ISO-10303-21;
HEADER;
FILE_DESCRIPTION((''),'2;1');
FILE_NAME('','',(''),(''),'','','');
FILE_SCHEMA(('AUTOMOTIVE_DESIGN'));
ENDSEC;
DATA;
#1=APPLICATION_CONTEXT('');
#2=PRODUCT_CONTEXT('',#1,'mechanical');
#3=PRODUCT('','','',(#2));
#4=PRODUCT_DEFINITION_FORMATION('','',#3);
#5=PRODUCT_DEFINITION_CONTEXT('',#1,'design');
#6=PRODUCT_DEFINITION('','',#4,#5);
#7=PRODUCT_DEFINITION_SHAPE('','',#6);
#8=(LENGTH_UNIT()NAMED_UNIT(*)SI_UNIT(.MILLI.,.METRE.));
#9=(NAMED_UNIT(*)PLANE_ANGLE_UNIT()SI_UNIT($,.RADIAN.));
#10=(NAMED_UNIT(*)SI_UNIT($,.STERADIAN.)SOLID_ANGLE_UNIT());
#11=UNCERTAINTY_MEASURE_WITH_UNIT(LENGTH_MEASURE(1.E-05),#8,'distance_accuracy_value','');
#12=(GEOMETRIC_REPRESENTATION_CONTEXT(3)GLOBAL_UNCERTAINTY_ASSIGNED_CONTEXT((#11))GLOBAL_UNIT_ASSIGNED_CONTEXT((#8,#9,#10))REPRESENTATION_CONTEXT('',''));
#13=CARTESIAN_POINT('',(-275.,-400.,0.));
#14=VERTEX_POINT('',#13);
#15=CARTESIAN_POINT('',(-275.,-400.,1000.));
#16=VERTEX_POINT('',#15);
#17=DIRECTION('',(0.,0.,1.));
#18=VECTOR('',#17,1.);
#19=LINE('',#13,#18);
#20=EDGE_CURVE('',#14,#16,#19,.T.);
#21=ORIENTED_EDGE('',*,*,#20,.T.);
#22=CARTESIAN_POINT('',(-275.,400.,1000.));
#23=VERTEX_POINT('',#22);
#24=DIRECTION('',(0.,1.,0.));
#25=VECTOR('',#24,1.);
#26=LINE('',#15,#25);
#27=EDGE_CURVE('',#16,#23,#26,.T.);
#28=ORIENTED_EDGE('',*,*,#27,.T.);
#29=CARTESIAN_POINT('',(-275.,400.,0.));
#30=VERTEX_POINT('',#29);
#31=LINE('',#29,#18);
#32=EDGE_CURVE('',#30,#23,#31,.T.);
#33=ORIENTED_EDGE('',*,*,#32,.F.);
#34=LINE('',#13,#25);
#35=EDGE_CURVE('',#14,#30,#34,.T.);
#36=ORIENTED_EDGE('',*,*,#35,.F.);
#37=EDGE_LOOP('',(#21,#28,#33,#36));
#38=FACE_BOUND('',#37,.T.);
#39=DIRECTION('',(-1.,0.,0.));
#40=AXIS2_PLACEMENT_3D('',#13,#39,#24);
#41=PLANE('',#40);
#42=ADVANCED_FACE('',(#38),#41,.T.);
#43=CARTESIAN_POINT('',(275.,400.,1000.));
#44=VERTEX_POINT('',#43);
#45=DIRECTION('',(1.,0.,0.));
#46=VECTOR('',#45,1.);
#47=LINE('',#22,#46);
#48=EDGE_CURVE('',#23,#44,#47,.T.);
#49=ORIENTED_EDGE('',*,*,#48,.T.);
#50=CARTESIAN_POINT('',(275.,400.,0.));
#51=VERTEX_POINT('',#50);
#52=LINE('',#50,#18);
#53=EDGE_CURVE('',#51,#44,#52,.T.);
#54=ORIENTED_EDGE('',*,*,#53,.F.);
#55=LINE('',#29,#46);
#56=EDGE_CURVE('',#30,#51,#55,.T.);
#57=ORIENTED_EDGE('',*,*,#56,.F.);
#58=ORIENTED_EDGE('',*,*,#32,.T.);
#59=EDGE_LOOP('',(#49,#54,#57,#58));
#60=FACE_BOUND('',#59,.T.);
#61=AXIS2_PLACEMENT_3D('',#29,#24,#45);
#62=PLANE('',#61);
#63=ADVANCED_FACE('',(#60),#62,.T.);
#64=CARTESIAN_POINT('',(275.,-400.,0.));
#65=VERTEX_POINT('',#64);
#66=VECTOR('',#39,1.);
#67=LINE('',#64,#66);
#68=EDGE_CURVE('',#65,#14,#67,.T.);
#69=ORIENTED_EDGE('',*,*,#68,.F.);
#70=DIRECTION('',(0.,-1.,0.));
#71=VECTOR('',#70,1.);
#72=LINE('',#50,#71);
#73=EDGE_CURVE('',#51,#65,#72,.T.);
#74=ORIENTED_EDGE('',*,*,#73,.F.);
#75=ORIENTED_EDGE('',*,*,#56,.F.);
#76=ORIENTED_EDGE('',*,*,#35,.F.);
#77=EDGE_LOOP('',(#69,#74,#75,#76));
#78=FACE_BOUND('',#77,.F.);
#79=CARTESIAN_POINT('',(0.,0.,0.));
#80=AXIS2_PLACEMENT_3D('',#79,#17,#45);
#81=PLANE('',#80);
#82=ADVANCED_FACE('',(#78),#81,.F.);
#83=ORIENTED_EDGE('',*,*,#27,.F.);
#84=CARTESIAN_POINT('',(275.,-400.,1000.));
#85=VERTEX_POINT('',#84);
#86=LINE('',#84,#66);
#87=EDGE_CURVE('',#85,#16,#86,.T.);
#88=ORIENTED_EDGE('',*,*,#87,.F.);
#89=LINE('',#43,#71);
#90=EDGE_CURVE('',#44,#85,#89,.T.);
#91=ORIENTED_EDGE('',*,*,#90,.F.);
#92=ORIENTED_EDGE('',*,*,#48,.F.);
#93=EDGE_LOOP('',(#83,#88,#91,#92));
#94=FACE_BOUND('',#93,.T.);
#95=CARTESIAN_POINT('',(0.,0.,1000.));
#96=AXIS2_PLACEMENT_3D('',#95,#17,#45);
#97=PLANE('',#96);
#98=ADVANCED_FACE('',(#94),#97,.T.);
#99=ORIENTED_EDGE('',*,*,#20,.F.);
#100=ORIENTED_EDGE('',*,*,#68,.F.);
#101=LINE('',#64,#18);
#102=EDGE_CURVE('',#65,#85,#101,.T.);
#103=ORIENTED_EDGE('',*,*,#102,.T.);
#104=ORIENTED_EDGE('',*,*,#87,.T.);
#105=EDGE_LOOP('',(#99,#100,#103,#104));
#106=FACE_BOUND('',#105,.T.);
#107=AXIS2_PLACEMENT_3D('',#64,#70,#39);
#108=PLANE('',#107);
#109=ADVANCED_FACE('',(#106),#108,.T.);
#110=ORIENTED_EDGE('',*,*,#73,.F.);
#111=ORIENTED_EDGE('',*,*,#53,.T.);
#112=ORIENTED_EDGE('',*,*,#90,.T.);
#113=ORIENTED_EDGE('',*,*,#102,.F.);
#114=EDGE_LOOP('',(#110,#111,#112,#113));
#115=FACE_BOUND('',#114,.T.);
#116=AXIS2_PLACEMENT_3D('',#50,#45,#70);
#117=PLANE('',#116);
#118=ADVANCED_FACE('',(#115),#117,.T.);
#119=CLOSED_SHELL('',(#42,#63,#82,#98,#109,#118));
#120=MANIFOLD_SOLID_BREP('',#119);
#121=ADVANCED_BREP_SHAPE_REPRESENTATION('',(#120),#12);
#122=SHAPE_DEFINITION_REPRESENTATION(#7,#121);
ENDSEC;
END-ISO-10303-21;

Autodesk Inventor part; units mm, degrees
ref_plane "YZ Plane" through (0, 0, 0) normal (1, 0, 0) x (0, 1, 0)
ref_plane "XZ Plane" through (0, 0, 0) normal (0, 1, 0) x (-1, 0, 0)
ref_plane "XY Plane" through (0, 0, 0) normal (0, 0, 1) x (1, 0, 0)
sketch "Sketch1" plane through (0, 0, 0) normal (0, 0, 1) x (1, 0, 0)
  line L0 (-275, 400) -> (275, 400)
  line L1 (275, 400) -> (275, -400)
  line L2 (275, -400) -> (-275, -400)
  line L3 (-275, -400) -> (-275, 400)
  line L4 (-275, -400) -> (275, 400) construction
  point P0 (0, 0)
  point P1 (0, 0)
  dimension "d0" = 550
  dimension "d1" = 800
extrude "Extrusion1" add sketch "Sketch1" along normal blind 1000
equation "\"d0\" = Длина"
equation "\"d1\" = Ширина"
equation "\"d2\" = Высота"
equation "\"Длина\" = 550"
equation "\"Ширина\" = 800"
equation "\"Высота\" = 1000"
properties part number "GPHN barrel"
